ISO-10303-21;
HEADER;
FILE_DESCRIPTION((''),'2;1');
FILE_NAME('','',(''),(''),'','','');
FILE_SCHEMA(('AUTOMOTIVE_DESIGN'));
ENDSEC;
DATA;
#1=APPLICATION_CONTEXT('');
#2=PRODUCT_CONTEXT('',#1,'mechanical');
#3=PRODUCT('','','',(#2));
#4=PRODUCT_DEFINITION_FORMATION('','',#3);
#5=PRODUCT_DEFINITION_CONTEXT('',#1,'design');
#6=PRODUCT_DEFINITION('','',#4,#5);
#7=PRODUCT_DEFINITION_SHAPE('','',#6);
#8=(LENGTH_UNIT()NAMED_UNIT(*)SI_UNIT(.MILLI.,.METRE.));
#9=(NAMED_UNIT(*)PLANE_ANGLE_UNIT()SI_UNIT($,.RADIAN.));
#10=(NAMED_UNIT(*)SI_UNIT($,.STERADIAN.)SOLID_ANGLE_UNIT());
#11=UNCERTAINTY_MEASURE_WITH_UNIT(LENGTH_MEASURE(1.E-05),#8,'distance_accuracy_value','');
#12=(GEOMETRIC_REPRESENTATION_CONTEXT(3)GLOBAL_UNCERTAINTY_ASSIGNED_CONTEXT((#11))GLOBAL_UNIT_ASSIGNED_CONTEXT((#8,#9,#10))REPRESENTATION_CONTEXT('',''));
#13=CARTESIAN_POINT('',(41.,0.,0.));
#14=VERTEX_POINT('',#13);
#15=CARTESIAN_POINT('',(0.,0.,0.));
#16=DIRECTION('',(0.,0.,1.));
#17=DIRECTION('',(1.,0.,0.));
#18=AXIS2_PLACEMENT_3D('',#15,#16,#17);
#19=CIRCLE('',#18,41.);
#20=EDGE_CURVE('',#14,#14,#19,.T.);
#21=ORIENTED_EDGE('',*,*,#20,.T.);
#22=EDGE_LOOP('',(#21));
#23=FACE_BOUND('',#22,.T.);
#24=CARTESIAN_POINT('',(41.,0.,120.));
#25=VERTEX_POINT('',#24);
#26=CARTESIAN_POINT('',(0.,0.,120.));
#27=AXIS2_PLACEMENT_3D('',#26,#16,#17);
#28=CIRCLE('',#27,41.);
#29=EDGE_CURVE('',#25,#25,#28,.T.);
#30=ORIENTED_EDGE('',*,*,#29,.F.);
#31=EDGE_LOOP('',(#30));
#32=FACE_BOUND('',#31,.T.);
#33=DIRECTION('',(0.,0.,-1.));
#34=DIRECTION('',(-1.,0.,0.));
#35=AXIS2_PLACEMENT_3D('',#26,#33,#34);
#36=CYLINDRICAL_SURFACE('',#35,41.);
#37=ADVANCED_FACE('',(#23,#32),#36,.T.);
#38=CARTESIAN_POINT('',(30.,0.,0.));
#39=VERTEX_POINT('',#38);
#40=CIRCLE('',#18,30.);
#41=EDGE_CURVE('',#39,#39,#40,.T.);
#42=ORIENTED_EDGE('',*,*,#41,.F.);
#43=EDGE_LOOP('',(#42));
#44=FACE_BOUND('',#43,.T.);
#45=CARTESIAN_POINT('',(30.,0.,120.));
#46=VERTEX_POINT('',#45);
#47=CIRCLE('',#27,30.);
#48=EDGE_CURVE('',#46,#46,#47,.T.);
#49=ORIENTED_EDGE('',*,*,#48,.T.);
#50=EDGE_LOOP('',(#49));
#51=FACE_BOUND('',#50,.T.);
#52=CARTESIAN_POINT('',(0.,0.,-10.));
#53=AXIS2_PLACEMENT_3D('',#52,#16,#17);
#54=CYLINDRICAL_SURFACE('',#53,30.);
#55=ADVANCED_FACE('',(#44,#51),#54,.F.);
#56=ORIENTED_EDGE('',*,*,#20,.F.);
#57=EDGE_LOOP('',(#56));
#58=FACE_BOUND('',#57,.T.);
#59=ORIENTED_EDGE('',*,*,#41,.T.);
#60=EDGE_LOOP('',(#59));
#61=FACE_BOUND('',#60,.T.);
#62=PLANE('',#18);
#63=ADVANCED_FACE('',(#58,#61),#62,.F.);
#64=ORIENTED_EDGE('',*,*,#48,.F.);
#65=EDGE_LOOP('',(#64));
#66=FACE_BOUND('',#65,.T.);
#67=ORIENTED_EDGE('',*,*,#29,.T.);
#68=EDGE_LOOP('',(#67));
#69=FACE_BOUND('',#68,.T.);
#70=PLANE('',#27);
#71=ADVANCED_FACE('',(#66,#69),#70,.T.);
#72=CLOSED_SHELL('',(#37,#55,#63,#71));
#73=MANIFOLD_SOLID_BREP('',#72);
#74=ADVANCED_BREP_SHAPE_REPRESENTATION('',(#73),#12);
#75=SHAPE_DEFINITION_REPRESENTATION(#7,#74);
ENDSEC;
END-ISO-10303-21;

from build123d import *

# Parameters (mm, degrees)
SKETCH1_R           = 41
BOSS_EXTRUDE1_DEPTH = 120
SKETCH2_R           = 30
CUT_EXTRUDE1_DEPTH  = 130


with BuildPart() as part:
    # Sketch1 → Boss-Extrude1 (new body)
    with BuildSketch(Plane.XY):
        Circle(SKETCH1_R)
    extrude(amount=BOSS_EXTRUDE1_DEPTH)

    # Sketch2 → Cut-Extrude1 (cut)
    with BuildSketch(Plane.XY.offset(120)):
        Circle(SKETCH2_R)
    extrude(amount=-CUT_EXTRUDE1_DEPTH, mode=Mode.SUBTRACT)


solid = part.part
